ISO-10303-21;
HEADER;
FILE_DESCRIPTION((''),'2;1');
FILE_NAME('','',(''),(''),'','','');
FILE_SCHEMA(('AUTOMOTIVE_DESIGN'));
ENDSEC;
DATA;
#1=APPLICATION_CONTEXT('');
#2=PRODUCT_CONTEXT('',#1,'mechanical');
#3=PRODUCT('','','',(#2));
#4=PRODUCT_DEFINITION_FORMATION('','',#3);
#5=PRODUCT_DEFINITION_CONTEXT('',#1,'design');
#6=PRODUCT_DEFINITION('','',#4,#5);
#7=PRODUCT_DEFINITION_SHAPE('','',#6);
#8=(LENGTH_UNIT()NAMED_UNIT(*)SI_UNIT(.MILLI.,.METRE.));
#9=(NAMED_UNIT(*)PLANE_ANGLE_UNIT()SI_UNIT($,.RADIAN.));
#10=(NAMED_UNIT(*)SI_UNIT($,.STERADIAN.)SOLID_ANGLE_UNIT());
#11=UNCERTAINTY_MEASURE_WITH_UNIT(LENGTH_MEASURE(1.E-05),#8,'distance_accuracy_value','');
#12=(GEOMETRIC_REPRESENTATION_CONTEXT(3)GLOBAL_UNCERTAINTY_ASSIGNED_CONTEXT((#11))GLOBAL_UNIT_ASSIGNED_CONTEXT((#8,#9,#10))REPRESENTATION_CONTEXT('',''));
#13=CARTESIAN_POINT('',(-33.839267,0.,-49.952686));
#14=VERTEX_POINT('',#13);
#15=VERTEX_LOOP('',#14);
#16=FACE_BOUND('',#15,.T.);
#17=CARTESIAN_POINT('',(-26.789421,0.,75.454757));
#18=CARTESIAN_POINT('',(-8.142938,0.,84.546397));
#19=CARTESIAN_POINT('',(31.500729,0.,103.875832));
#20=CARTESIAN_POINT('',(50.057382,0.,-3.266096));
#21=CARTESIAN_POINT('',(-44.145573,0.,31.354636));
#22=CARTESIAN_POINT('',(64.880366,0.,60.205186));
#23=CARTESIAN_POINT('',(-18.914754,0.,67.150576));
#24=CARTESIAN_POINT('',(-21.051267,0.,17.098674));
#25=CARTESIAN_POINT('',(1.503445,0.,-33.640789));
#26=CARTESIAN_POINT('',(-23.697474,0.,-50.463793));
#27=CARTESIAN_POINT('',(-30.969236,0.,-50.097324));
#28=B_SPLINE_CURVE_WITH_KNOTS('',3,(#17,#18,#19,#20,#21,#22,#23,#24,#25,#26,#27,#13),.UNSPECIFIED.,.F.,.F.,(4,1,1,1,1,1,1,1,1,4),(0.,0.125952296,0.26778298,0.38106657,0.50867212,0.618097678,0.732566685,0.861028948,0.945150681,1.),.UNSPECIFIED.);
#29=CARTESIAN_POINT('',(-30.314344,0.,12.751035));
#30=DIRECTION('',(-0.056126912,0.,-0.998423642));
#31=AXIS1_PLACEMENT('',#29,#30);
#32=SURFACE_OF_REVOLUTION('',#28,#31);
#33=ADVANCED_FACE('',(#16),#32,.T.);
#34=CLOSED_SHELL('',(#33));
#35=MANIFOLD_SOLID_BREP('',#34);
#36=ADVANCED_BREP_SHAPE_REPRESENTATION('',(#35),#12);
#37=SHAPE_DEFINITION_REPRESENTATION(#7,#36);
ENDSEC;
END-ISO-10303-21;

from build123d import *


with BuildPart() as f1:
    # F0 (on Front) → F1 (revolve)
    with BuildSketch(Plane.XZ):
        with BuildLine():
            add(Edge.make_bspline(
                [(-26.7894212157, 75.4547566175), (-8.1429377443, 84.5463974398), (31.5007294406, 103.8758320474), (50.0573820797, -3.2660962356), (-44.145573211, 31.3546356468), (64.8803660529, 60.205186292), (-18.9147541551, 67.1505760187), (-21.0512670548, 17.0986736703), (1.5034445944, -33.6407893928), (-23.6974736889, -50.4637932194), (-30.9692359246, -50.0973243544), (-33.8392667472, -49.952685833)],
                knots=[0, 0, 0, 0, 0.1259522962, 0.2677829801, 0.3810665696, 0.5086721204, 0.618097678, 0.7325666853, 0.8610289478, 0.9451506814, 1, 1, 1, 1], degree=3))
            Line((-26.7894212157, 75.4547566175), (-33.8392667472, -49.952685833))
        make_face()
    revolve(axis=Axis((-30.3143439814, 0, 12.7510353923), (-0.0561269117, 0, -0.9984236424)))


solid = f1.part
